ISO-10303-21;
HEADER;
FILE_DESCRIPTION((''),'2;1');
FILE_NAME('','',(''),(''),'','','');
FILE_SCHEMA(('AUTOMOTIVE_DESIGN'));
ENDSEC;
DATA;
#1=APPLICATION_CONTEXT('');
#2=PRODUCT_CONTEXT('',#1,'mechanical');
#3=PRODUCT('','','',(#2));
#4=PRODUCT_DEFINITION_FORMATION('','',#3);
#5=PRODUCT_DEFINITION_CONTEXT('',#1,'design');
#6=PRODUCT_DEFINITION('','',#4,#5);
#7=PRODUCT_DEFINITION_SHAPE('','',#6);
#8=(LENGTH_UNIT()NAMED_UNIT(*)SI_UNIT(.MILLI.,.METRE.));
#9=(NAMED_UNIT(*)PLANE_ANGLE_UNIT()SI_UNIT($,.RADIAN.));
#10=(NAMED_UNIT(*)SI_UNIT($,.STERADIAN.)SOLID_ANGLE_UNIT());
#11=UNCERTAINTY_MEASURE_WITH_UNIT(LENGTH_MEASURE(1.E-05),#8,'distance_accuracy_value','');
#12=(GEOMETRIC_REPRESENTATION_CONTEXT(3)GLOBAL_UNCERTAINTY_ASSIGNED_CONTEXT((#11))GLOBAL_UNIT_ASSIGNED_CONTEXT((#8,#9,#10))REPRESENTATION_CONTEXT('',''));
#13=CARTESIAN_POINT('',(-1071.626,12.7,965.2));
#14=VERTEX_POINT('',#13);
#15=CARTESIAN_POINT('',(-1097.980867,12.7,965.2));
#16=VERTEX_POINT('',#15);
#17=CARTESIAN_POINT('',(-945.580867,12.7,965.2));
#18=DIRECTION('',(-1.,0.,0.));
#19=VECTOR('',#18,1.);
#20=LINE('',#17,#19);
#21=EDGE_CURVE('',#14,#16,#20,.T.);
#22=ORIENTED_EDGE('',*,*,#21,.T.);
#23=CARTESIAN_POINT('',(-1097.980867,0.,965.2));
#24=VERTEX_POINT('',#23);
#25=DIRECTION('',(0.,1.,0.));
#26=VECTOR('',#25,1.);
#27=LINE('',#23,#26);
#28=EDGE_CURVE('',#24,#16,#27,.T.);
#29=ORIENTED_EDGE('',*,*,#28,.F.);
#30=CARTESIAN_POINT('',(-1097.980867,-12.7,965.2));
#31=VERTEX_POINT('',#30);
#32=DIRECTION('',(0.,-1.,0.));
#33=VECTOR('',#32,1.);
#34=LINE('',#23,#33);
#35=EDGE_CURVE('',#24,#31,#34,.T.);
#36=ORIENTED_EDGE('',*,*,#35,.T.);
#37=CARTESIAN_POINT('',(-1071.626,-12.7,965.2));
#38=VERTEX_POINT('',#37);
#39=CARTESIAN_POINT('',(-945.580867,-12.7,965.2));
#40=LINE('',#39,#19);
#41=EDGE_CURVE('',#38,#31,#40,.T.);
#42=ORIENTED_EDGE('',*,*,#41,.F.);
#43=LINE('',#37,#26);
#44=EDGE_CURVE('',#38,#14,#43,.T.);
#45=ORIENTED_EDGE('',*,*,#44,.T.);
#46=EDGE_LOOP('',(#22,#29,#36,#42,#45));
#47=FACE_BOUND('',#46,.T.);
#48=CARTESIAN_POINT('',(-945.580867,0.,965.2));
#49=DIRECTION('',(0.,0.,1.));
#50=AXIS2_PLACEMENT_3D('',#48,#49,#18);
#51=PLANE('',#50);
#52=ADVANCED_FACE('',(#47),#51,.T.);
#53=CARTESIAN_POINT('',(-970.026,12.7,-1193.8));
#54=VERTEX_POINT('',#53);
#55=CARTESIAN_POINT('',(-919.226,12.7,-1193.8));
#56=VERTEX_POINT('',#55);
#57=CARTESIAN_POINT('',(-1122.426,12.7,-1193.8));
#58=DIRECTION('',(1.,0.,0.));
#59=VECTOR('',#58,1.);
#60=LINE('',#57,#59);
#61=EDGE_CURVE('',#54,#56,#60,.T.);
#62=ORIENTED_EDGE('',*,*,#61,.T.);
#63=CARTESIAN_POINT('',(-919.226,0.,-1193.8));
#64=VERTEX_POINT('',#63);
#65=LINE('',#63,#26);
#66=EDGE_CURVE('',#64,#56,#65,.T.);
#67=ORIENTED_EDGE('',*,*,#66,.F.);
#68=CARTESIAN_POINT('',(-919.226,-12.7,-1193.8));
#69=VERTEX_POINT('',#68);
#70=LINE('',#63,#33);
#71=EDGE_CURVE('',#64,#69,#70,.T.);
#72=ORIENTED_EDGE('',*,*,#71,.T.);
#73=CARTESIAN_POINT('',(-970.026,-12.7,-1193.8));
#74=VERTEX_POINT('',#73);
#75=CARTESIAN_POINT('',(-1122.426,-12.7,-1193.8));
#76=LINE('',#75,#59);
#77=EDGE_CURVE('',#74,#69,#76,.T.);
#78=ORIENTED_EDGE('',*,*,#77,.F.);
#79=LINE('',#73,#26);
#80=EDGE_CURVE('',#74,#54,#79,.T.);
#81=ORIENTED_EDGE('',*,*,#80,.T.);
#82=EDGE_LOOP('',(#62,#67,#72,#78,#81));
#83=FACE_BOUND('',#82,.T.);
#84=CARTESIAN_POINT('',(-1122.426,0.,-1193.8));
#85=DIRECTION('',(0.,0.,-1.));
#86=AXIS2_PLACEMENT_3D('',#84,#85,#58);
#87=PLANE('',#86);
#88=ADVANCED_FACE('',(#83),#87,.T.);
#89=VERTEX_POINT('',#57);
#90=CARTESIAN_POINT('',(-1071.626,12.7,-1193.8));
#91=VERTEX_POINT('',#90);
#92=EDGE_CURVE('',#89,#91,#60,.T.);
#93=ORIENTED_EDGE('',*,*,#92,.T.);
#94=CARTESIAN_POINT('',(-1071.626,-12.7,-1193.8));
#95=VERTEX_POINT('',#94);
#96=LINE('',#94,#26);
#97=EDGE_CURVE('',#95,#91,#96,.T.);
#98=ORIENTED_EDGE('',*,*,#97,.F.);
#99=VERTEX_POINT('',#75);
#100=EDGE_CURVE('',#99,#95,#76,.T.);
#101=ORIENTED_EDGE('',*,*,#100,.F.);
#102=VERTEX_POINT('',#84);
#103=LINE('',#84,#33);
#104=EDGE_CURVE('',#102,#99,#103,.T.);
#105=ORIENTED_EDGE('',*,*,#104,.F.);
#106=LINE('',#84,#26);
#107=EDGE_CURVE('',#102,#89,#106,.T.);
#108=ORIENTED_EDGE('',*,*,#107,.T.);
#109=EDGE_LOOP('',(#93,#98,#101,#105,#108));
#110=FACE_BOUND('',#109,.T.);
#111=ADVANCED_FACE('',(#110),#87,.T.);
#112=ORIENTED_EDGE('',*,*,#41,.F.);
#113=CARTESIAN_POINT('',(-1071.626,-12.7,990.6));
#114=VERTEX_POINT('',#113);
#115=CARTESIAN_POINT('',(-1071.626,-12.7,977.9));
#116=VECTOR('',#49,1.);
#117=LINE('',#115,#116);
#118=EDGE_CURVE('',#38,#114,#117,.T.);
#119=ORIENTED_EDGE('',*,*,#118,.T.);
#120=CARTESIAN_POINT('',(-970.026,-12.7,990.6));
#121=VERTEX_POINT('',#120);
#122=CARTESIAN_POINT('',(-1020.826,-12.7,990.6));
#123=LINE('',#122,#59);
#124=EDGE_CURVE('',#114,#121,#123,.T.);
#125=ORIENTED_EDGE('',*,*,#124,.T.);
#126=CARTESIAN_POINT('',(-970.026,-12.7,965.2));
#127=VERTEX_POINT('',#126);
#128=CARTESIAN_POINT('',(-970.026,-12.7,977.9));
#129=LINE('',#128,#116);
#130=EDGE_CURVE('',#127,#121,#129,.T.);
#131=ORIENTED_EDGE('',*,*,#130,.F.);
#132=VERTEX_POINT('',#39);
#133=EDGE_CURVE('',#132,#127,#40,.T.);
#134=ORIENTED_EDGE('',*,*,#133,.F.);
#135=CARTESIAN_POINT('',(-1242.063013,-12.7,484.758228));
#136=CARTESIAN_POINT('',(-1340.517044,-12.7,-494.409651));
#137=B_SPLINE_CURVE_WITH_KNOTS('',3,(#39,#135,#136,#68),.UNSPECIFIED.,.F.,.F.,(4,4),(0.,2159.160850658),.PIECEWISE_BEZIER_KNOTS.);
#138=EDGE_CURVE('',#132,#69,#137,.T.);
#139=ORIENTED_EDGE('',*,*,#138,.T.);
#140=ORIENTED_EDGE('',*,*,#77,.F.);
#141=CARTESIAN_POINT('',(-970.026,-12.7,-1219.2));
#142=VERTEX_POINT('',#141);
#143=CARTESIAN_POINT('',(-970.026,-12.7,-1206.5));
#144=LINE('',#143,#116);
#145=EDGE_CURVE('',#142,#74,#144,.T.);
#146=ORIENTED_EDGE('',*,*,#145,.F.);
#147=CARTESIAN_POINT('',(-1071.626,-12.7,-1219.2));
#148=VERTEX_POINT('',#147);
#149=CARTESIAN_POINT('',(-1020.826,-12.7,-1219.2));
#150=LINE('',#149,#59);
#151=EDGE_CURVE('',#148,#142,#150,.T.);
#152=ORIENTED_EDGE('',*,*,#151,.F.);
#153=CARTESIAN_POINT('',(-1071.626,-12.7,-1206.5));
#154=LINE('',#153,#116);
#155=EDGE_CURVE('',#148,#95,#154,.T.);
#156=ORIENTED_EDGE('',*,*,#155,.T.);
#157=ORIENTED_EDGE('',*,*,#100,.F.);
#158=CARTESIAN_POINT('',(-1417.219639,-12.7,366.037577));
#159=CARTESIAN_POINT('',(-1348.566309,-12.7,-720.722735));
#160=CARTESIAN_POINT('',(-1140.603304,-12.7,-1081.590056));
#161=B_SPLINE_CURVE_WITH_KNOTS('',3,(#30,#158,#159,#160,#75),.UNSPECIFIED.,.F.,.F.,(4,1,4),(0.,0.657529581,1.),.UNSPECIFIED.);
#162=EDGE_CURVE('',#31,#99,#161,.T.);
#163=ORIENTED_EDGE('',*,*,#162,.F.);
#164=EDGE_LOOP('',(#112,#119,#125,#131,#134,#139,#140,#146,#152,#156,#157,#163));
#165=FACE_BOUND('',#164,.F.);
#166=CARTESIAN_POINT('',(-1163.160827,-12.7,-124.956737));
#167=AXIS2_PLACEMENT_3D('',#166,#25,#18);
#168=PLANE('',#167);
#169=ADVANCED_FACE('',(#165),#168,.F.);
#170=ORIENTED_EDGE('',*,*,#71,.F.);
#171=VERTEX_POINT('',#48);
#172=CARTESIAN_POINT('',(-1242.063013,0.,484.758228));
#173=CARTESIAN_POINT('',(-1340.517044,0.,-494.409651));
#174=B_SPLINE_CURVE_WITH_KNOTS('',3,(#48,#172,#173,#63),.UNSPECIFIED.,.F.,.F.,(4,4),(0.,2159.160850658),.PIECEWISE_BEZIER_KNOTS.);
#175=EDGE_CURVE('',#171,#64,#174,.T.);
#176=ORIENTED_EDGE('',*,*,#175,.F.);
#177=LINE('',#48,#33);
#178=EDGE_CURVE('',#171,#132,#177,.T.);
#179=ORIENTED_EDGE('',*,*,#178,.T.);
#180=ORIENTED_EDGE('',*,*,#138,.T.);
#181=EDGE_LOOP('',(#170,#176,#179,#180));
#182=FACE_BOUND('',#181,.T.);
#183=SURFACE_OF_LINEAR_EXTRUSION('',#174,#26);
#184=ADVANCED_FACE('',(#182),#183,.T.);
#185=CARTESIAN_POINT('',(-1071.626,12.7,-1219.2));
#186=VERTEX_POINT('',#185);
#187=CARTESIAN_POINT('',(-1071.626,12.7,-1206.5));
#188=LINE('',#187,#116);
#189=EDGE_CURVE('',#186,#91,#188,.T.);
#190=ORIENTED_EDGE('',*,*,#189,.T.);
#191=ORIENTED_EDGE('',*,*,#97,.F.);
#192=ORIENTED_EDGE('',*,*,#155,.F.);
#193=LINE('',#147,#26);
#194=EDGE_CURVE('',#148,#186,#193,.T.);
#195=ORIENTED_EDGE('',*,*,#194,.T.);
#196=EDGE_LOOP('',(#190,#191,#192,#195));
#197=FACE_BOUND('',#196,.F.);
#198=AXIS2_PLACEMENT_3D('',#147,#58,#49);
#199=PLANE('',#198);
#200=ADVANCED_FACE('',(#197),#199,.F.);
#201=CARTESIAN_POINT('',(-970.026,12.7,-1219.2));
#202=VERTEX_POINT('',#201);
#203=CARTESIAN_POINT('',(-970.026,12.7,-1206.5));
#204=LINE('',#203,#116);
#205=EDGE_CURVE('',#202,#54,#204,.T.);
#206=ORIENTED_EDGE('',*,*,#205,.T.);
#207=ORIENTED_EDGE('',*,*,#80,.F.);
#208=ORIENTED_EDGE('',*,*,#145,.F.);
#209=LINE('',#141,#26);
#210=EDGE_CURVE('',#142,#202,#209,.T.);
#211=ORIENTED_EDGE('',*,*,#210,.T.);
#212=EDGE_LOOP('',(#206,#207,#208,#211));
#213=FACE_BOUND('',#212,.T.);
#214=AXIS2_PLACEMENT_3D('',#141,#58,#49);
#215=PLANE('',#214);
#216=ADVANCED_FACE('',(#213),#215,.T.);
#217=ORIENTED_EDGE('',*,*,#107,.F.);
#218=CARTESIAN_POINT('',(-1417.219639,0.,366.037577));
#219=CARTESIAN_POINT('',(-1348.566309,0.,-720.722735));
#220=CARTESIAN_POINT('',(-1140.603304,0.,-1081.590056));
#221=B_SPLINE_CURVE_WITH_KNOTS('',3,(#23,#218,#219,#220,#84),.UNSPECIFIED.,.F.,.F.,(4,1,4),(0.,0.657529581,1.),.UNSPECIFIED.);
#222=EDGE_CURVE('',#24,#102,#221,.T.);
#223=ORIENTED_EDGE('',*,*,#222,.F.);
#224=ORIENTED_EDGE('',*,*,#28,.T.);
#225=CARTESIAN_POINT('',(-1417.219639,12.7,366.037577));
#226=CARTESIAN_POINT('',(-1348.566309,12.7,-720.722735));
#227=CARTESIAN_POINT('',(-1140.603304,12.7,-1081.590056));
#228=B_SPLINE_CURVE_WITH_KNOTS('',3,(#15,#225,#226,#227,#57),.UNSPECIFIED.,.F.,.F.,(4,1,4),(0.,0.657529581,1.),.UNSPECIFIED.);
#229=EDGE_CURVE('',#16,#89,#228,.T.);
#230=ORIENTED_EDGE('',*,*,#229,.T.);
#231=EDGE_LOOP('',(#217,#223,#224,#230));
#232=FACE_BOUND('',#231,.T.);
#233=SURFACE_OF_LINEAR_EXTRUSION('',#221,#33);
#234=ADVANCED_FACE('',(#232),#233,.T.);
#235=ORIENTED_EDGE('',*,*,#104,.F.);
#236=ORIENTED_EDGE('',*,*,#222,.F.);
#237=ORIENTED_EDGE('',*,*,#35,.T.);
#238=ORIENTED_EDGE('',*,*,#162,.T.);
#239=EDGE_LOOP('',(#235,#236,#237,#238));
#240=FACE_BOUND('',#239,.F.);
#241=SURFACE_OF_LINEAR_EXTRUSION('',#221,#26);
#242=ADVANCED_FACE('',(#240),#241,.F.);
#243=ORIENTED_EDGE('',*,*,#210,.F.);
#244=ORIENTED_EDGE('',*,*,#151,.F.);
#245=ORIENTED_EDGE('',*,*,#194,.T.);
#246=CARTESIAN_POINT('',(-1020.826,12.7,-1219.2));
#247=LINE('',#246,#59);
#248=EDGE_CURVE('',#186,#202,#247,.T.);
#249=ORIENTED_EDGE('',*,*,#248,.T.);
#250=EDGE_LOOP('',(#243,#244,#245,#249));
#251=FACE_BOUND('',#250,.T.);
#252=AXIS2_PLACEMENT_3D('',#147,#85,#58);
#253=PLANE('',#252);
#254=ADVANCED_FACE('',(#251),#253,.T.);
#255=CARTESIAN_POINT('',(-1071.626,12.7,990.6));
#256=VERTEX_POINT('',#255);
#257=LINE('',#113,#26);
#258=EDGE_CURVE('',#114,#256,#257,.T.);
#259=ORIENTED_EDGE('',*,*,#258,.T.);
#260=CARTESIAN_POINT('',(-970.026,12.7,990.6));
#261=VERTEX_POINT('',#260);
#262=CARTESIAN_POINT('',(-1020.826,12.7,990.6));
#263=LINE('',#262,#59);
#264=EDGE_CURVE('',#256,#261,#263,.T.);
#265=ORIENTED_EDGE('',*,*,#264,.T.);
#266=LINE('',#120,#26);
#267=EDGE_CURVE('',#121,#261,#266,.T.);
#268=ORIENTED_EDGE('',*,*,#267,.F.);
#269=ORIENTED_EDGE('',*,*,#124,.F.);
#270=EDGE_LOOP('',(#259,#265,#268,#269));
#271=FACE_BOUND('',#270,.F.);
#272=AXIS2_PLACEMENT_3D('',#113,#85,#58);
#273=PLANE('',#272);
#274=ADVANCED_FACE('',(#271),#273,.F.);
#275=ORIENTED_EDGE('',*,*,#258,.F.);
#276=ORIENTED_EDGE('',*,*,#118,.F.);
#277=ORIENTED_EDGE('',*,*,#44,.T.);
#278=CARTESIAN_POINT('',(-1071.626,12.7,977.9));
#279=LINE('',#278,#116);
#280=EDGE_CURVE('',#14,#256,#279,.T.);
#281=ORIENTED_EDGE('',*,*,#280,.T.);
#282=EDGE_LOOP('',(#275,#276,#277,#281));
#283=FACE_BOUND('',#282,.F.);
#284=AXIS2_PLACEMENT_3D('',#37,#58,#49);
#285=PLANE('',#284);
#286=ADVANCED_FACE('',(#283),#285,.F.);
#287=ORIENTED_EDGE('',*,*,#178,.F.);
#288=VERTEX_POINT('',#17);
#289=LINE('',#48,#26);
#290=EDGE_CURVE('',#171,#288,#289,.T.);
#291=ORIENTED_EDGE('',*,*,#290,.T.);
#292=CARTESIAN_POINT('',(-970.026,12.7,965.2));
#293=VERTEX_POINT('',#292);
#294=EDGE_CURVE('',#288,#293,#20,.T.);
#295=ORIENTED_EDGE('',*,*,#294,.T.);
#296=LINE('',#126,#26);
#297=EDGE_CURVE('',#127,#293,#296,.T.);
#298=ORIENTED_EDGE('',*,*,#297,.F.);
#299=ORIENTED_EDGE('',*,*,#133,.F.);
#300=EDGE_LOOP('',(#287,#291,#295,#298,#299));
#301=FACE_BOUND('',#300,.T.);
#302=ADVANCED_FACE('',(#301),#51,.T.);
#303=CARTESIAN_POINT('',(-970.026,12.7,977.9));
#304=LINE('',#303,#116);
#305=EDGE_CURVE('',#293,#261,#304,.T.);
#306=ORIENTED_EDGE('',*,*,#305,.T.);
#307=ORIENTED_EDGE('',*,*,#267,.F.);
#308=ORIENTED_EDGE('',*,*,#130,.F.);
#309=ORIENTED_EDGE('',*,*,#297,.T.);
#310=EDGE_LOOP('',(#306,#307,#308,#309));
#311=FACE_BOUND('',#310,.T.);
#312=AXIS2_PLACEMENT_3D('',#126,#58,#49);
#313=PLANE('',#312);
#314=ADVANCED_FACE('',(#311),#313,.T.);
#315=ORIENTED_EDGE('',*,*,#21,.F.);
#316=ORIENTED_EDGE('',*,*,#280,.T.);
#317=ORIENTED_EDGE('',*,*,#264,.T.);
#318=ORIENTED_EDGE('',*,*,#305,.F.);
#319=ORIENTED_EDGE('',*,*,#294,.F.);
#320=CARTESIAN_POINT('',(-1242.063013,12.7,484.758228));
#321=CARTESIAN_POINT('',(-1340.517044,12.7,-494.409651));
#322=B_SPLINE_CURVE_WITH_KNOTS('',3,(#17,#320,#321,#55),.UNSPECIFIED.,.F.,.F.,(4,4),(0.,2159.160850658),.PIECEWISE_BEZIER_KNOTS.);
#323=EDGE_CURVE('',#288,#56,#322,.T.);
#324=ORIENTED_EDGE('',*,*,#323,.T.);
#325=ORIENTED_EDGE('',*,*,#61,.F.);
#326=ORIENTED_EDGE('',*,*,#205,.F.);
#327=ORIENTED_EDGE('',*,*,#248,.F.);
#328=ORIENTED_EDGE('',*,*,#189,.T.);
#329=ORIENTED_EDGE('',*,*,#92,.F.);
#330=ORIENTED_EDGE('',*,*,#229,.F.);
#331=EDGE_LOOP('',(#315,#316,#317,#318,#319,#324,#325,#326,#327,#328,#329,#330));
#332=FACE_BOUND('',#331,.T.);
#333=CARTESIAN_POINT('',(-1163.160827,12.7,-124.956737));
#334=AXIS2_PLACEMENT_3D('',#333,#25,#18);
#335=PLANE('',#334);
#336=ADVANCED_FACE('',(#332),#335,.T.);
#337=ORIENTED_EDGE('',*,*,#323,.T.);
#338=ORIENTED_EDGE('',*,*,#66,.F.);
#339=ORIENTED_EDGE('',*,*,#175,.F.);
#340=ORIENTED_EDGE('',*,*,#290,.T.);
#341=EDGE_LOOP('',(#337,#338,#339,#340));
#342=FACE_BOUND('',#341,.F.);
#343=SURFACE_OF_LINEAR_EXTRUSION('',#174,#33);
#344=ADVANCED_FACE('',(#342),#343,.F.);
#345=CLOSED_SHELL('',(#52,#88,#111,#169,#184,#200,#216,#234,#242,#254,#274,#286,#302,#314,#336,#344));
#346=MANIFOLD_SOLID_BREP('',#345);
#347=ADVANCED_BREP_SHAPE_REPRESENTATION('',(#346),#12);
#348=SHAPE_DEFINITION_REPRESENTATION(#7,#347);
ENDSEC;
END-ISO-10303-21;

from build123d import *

# Parameters (mm, degrees)
F1_DEPTH = 12.7
F2_W     = 101.6
F2_H     = 25.4
F3_DEPTH = 25.4


with BuildPart() as f1:
    # F0 (on Front) → F1 (new body, symmetric)
    with BuildSketch(Plane.XZ):
        with BuildLine():
            add(Edge.make_bspline(
                [(-945.5808670162, 965.2), (-1242.0630128025, 484.7582280636), (-1340.5170440674, -494.4096505642), (-919.226, -1193.8)],
                knots=[0, 0, 0, 0, 2159.1608506583, 2159.1608506583, 2159.1608506583, 2159.1608506583], degree=3))
            Line((-945.5808670162, 965.2), (-1097.9808670162, 965.2))
            add(Edge.make_bspline(
                [(-1097.9808670162, 965.2), (-1417.2196388245, 366.0375773907), (-1348.5663086676, -720.7227352137), (-1140.6033039093, -1081.5900564194), (-1122.426, -1193.8)],
                knots=[0, 0, 0, 0, 0.6575295809, 1, 1, 1, 1], degree=3))
            Line((-1122.426, -1193.8), (-919.226, -1193.8))
        make_face()
    extrude(amount=F1_DEPTH, both=True)

    # F2 (on face) → F3 (join, through all)
    with BuildSketch(Plane.XZ.offset(12.7)):
        with Locations((-1020.826, 977.9)):
            Rectangle(F2_W, F2_H)
        with Locations((-1020.826, -1206.5)):
            Rectangle(F2_W, F2_H)
    extrude(amount=-F3_DEPTH)


solid = f1.part
